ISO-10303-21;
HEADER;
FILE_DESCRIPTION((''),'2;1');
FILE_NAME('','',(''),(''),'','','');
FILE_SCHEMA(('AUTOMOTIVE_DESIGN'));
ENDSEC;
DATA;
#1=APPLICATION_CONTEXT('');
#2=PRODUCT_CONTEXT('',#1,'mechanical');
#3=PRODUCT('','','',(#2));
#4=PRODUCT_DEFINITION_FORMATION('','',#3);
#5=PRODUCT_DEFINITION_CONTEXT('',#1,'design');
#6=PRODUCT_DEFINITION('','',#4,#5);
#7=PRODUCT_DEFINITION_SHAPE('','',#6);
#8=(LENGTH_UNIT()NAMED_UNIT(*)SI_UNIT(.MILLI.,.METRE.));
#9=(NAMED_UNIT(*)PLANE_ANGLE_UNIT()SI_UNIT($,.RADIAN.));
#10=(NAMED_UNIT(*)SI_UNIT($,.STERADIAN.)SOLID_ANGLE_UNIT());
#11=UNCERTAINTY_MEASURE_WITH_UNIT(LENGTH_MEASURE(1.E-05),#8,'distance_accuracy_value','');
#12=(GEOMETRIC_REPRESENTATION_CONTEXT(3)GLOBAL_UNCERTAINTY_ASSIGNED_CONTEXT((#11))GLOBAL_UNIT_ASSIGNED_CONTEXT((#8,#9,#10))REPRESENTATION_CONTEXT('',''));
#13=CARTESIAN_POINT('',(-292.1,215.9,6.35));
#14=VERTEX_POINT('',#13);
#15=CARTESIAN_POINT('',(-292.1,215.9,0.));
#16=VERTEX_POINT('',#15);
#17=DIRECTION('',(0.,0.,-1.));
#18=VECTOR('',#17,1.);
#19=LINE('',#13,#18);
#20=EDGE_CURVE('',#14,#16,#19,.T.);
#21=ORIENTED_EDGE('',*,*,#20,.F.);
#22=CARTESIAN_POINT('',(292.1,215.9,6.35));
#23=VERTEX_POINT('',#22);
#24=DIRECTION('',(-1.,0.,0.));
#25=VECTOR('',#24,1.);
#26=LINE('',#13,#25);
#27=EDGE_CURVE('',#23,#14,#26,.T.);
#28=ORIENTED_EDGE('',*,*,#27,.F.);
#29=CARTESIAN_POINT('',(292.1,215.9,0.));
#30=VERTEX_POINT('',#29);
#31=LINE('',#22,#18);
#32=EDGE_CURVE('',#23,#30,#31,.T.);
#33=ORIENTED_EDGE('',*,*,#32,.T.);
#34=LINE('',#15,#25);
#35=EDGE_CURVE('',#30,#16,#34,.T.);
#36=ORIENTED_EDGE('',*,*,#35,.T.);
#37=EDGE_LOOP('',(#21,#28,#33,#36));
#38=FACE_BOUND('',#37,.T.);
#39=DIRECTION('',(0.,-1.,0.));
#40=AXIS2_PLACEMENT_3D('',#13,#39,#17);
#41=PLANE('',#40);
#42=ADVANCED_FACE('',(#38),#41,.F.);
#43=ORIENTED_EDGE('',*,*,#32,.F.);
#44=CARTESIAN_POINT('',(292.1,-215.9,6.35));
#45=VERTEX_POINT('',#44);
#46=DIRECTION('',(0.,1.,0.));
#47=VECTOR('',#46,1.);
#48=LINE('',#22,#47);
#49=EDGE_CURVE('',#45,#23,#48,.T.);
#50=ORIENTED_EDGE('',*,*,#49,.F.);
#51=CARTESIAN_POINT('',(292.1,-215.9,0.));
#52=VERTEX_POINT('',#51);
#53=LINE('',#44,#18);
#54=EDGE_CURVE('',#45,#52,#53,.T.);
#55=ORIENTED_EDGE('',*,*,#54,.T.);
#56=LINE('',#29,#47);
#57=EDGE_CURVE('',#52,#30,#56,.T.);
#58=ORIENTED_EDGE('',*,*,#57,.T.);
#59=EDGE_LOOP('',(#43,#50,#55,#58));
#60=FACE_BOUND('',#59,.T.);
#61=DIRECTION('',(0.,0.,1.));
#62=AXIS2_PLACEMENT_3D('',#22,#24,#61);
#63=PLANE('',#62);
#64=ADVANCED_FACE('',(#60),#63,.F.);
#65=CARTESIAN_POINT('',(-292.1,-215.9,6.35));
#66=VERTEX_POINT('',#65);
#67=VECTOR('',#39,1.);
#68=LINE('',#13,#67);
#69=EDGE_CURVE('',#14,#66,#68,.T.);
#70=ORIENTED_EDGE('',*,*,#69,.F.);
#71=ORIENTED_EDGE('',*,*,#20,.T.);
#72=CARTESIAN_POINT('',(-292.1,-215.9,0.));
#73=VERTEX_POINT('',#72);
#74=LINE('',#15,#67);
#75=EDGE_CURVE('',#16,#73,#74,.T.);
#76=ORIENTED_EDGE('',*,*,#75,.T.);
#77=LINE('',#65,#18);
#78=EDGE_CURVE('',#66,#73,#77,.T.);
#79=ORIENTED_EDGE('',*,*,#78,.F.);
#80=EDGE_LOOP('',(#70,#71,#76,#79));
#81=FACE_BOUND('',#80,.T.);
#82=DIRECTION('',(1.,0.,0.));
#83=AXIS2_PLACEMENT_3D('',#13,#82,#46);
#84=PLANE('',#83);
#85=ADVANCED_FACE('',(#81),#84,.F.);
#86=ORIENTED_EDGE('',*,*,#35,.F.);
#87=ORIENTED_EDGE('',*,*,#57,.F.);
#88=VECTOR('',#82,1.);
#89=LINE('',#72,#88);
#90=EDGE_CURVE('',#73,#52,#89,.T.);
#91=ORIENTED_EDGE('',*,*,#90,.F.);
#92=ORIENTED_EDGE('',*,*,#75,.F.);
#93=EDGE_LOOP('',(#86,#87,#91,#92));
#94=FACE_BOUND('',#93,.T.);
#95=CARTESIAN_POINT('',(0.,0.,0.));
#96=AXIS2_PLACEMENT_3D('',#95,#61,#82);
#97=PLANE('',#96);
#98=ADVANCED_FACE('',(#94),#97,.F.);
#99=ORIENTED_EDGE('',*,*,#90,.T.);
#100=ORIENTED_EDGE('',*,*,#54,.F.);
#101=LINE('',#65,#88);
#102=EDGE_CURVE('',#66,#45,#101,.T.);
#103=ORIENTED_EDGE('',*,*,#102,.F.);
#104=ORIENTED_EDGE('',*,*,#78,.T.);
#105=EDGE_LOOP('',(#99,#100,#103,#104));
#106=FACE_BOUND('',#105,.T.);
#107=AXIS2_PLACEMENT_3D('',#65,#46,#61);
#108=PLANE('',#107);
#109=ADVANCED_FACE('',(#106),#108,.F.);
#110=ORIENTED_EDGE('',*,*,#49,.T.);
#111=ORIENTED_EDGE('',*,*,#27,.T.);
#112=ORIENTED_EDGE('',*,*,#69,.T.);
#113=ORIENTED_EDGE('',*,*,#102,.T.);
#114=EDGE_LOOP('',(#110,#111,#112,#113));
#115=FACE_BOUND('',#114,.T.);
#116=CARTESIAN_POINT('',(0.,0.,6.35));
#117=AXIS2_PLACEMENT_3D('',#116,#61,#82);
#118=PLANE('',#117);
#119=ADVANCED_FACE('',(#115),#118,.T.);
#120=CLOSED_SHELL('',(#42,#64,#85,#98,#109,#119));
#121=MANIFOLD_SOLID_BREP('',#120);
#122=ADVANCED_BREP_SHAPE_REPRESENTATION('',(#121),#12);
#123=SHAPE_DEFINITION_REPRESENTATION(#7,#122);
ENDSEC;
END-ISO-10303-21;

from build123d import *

# Parameters (mm, degrees)
SKETCH1_W           = 584.2
SKETCH1_H           = 431.8
BOSS_EXTRUDE1_DEPTH = 6.35


with BuildPart() as part:
    # Sketch1 → Boss-Extrude1 (new body)
    with BuildSketch(Plane.XY):
        Rectangle(SKETCH1_W, SKETCH1_H)
    extrude(amount=BOSS_EXTRUDE1_DEPTH)


solid = part.part
